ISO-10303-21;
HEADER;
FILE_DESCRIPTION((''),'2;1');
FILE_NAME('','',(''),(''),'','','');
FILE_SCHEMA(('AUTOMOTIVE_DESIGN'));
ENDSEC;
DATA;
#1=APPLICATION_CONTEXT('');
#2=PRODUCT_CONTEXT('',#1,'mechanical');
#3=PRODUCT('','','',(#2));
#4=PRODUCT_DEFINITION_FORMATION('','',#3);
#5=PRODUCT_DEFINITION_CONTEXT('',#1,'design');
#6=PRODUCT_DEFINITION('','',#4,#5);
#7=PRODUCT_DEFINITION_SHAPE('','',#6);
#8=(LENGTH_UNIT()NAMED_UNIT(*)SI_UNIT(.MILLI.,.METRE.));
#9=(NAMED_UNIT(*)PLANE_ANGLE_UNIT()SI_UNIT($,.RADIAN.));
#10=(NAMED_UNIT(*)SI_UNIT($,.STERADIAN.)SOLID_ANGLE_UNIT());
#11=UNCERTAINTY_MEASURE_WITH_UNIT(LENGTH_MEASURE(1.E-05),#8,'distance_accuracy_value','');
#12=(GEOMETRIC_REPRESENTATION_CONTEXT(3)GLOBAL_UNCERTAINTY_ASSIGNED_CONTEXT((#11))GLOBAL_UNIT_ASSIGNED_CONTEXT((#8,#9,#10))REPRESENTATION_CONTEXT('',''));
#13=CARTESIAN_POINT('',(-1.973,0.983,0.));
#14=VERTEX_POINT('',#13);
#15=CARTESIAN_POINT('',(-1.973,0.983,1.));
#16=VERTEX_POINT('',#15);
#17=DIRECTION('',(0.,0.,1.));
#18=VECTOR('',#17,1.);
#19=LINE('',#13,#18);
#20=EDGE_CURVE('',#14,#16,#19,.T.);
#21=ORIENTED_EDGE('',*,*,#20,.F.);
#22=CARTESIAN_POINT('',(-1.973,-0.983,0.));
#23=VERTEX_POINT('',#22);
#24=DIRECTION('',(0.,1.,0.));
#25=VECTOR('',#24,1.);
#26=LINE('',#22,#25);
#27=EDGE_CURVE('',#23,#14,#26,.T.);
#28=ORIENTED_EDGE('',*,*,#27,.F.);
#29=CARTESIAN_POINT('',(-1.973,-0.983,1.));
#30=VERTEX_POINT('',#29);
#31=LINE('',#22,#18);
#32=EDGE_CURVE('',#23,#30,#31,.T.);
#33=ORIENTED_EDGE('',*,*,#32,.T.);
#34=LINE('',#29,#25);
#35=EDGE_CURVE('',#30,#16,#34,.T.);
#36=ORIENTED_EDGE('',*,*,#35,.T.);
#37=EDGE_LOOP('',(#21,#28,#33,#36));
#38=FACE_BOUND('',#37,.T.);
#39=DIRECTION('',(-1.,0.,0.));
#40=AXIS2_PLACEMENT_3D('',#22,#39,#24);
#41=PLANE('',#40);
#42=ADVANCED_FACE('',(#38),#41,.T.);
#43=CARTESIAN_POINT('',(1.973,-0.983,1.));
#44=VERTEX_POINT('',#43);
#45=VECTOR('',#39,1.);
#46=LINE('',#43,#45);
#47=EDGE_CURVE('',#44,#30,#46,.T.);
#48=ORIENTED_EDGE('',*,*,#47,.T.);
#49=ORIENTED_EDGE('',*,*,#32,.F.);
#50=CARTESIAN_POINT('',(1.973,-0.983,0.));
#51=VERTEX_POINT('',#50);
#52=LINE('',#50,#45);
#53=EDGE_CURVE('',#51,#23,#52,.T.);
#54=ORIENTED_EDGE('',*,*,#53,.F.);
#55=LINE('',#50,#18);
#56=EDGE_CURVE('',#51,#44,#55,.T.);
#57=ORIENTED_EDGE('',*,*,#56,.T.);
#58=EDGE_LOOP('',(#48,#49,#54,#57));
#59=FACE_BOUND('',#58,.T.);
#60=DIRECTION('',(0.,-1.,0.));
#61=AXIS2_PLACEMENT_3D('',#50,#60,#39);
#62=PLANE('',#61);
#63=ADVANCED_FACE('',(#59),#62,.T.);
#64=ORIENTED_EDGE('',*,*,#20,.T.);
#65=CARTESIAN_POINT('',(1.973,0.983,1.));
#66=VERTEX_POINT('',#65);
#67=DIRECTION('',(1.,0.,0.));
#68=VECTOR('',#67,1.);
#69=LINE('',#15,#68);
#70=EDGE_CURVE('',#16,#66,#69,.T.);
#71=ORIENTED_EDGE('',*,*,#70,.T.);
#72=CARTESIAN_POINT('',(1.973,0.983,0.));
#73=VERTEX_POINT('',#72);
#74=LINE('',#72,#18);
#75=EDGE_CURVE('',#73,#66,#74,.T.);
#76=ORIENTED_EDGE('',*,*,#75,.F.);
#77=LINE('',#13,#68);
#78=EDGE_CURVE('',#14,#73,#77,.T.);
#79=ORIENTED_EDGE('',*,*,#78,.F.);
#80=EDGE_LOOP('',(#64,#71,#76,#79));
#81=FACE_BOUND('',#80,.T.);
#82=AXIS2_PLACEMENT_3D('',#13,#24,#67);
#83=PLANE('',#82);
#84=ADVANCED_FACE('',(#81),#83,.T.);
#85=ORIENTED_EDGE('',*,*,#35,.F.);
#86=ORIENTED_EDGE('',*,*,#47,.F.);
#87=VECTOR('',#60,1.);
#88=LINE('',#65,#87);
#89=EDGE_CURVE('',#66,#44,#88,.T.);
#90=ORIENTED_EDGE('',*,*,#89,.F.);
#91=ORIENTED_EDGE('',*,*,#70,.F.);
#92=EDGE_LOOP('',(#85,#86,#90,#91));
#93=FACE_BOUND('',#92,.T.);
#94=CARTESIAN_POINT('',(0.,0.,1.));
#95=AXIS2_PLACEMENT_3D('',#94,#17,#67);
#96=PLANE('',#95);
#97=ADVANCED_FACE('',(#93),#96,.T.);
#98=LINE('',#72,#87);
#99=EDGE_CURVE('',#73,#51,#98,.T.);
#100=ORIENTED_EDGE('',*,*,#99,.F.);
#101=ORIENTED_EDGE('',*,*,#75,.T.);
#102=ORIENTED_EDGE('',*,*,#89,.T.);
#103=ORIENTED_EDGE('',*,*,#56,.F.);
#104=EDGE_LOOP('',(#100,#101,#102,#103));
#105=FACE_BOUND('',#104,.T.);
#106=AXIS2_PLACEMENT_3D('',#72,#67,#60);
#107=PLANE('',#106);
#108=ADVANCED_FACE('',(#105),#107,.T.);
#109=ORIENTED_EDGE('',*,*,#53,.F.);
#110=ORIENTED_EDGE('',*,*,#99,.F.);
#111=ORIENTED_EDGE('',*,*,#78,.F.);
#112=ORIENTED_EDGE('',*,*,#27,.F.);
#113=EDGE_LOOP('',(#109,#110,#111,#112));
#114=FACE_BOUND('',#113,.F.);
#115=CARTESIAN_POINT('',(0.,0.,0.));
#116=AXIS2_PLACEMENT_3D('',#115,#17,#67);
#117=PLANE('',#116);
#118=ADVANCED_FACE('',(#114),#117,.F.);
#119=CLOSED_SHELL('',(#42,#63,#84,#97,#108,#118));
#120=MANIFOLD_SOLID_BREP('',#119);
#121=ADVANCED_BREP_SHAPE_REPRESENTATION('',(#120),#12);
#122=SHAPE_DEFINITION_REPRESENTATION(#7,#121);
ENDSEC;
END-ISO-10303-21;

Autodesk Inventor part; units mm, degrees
ref_plane "YZ Plane" through (0, 0, 0) normal (1, 0, 0) x (0, 1, 0)
ref_plane "XZ Plane" through (0, 0, 0) normal (0, 1, 0) x (-1, 0, 0)
ref_plane "XY Plane" through (0, 0, 0) normal (0, 0, 1) x (1, 0, 0)
sketch "R0805, 787_69" plane through (0, 0, 0) normal (0, 0, 1) x (1, 0, 0)
  line L0 (-1.973, 0.983) -> (1.973, 0.983)
  line L1 (1.973, 0.983) -> (1.973, -0.983)
  line L2 (1.973, -0.983) -> (-1.973, -0.983)
  line L3 (-1.973, -0.983) -> (-1.973, 0.983)
extrude "Extrusion1" add sketch "R0805, 787_69" along normal blind 1
properties part number "787"
